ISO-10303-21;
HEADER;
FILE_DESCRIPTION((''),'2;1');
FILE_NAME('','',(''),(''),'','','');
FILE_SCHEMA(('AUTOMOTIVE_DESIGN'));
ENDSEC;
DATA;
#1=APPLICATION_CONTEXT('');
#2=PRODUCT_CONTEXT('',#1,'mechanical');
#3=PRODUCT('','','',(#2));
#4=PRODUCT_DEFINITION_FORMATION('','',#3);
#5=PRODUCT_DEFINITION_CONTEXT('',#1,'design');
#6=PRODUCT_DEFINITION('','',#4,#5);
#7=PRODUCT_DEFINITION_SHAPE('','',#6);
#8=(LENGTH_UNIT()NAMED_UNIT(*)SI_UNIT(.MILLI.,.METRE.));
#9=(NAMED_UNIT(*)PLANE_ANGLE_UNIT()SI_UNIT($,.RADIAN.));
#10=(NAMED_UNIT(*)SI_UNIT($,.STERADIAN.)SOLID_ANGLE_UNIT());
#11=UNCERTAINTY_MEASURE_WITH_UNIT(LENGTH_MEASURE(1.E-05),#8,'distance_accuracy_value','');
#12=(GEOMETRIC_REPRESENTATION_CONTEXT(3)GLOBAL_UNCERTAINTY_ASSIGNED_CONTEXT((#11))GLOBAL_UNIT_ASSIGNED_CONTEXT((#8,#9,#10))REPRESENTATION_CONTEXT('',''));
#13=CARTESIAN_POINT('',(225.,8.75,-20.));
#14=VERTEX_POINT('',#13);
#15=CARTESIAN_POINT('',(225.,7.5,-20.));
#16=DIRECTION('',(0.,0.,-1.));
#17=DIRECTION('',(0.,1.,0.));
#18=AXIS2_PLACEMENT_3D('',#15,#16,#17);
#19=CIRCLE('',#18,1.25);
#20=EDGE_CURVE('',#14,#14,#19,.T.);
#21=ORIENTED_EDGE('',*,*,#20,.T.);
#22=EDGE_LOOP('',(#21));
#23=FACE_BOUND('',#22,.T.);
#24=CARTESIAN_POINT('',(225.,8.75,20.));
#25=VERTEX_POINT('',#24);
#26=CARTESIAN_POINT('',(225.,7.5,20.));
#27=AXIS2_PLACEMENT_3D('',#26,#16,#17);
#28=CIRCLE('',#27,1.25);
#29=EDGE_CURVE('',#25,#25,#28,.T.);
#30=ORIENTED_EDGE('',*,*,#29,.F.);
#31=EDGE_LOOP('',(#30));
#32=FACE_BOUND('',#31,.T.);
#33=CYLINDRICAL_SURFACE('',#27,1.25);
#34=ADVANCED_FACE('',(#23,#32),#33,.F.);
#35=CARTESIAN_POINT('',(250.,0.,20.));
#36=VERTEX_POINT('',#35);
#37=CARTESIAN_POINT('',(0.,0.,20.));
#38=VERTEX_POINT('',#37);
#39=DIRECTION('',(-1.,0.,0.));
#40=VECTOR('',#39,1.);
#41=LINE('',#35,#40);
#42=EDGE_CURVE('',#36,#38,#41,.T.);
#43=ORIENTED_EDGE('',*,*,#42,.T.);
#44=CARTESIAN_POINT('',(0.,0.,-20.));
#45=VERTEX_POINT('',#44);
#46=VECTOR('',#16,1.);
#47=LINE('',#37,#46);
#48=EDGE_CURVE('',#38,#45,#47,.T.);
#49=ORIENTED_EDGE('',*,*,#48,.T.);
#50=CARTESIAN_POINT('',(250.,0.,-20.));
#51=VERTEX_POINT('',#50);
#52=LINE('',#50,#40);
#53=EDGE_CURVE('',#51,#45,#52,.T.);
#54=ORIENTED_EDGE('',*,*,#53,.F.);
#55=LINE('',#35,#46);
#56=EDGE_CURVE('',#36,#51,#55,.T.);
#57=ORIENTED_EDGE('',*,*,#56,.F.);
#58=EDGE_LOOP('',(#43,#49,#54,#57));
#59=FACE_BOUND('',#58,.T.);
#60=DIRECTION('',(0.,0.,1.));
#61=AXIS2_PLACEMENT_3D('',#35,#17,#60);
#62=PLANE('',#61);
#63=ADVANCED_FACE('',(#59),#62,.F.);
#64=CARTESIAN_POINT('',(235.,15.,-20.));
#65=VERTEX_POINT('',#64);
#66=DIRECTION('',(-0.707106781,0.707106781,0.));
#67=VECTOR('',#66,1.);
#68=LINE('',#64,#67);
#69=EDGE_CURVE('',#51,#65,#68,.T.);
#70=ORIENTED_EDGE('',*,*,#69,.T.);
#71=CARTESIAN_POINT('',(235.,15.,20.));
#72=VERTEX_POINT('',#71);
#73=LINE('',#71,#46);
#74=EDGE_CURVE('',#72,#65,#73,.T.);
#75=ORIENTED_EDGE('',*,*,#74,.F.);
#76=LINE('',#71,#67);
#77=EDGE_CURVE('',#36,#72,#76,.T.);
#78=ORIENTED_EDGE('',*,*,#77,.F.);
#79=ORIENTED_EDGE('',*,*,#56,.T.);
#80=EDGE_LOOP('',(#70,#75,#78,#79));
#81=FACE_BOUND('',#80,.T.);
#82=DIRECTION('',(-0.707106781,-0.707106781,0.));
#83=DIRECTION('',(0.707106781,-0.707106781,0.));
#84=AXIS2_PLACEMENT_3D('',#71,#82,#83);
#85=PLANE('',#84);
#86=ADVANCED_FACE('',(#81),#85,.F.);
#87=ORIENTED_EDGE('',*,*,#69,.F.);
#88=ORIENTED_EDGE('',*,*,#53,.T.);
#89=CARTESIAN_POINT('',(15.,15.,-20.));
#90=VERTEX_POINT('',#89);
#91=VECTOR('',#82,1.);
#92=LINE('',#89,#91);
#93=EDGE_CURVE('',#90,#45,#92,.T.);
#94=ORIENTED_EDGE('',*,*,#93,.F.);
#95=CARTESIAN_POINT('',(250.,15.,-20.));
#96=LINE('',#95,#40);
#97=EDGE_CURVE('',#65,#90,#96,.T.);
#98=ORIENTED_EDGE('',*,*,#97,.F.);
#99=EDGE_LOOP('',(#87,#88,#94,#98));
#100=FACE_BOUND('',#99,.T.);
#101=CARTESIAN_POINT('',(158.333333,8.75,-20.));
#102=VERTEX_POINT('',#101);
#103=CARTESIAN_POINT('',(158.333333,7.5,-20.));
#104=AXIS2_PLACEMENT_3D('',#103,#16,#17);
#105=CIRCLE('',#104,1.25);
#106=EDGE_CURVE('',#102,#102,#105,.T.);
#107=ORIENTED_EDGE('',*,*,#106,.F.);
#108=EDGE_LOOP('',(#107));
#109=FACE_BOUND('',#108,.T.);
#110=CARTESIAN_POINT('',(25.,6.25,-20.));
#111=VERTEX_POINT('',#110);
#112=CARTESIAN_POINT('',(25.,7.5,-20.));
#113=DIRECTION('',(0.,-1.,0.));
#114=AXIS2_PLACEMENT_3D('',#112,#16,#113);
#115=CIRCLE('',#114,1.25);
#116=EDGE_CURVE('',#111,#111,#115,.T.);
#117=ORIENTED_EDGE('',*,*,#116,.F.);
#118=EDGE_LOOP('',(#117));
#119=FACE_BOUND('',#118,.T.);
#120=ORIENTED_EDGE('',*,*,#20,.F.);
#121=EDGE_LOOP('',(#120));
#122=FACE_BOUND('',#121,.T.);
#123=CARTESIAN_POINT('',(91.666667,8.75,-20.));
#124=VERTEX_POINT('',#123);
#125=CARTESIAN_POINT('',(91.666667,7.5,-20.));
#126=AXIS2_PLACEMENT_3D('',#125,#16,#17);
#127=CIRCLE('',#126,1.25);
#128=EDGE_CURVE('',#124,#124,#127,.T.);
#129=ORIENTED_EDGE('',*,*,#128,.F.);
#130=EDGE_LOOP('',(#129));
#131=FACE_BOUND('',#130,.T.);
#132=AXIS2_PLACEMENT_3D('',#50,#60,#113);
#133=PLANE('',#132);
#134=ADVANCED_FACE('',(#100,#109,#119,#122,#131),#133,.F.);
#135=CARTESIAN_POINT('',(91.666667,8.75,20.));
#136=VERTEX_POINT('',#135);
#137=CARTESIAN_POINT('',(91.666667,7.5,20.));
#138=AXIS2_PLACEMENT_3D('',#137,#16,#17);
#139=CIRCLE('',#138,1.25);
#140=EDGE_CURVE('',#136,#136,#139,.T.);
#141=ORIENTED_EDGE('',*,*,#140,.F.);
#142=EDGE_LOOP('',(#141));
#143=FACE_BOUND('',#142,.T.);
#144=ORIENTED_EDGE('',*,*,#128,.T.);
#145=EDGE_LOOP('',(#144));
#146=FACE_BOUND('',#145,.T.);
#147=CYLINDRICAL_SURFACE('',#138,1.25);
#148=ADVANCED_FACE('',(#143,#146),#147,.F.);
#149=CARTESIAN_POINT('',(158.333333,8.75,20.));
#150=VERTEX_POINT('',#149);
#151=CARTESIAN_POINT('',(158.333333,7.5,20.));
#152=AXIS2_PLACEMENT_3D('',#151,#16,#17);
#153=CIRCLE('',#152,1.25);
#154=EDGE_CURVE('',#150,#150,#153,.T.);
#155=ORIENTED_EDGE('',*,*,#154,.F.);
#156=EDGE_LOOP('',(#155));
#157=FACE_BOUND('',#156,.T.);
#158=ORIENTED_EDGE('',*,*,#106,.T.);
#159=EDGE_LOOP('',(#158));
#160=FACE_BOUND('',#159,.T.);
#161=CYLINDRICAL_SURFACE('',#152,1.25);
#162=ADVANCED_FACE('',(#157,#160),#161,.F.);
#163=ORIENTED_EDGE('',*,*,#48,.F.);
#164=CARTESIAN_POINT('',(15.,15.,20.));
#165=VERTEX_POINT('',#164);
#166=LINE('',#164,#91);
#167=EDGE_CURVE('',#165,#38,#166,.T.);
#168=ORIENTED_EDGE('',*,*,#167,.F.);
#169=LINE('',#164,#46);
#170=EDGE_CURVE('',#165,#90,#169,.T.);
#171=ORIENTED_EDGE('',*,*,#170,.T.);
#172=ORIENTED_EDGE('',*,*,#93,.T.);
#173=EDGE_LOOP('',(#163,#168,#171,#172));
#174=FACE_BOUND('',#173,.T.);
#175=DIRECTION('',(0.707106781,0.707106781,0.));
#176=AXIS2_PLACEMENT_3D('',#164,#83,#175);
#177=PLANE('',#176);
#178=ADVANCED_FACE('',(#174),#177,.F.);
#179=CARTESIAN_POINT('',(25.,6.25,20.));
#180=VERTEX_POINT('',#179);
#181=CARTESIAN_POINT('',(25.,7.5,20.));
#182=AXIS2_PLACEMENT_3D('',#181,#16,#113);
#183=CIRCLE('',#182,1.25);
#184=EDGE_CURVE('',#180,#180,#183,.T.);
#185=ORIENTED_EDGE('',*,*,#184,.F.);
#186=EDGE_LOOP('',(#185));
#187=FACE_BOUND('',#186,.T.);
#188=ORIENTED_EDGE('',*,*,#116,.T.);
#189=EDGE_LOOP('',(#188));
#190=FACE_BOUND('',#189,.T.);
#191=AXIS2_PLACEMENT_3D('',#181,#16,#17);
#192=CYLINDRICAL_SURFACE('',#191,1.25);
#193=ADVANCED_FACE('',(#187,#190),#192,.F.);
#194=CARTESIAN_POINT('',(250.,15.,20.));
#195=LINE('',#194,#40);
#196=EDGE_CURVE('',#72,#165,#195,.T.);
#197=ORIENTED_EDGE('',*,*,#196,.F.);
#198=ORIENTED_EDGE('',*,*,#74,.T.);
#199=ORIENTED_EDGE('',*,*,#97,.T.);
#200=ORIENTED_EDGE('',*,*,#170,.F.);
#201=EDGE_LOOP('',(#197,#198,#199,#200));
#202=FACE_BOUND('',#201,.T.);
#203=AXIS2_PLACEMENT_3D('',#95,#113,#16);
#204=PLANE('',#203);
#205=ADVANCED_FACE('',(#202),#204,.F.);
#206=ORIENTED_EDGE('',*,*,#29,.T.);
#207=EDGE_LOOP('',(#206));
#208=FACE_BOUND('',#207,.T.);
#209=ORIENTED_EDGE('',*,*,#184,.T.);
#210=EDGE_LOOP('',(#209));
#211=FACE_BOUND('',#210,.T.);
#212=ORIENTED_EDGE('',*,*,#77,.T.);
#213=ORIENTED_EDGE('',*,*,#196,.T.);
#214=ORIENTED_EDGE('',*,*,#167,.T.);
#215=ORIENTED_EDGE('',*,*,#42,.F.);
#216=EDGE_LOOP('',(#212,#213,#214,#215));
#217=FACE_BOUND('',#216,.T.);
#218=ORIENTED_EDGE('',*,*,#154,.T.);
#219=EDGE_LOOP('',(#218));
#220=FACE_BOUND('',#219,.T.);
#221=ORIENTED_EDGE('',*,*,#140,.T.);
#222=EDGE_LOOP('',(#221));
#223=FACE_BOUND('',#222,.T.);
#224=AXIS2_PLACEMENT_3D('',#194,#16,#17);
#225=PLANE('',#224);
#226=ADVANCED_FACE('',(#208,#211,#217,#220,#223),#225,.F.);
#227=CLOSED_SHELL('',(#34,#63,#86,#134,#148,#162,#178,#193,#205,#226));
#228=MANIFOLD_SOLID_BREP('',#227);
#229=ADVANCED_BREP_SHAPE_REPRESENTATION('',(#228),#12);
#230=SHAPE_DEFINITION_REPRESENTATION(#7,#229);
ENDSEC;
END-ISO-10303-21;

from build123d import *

# Parameters (mm, degrees)
SALIENTE_EXTRUIR1_DEPTH = 250
CROQUIS2_R              = 1.25
CORTAR_EXTRUIR1_DEPTH   = 41


with BuildPart() as part:
    # Croquis1 → Saliente-Extruir1 (new body)
    with BuildSketch(Plane(origin=(0, 0, 0), x_dir=(0, 0, -1), z_dir=(1, 0, 0))):
        Polygon((-20, 0), (20, 0), (20, 15), (18.5, 15), (-18.5, 15), (-20, 15), align=None)
    extrude(amount=SALIENTE_EXTRUIR1_DEPTH)

    # Croquis2 → Cortar-Extruir1 (cut, through all)
    with BuildSketch(Plane(origin=(0, 0, -20), x_dir=(-1, 0, 0), z_dir=(0, 0, -1))):
        with Locations((-225, 7.5)):
            Circle(CROQUIS2_R)
        with Locations((-25, 7.5)):
            Circle(CROQUIS2_R)
        with Locations((-158.333333333, 7.5)):
            Circle(CROQUIS2_R)
        with Locations((-91.666666667, 7.5)):
            Circle(CROQUIS2_R)
        Polygon((0, 15), (-15, 15), (0, 0), align=None)
        Polygon((-250, 15), (-235, 15), (-250, 0), align=None)
    extrude(amount=-CORTAR_EXTRUIR1_DEPTH, mode=Mode.SUBTRACT)


solid = part.part
